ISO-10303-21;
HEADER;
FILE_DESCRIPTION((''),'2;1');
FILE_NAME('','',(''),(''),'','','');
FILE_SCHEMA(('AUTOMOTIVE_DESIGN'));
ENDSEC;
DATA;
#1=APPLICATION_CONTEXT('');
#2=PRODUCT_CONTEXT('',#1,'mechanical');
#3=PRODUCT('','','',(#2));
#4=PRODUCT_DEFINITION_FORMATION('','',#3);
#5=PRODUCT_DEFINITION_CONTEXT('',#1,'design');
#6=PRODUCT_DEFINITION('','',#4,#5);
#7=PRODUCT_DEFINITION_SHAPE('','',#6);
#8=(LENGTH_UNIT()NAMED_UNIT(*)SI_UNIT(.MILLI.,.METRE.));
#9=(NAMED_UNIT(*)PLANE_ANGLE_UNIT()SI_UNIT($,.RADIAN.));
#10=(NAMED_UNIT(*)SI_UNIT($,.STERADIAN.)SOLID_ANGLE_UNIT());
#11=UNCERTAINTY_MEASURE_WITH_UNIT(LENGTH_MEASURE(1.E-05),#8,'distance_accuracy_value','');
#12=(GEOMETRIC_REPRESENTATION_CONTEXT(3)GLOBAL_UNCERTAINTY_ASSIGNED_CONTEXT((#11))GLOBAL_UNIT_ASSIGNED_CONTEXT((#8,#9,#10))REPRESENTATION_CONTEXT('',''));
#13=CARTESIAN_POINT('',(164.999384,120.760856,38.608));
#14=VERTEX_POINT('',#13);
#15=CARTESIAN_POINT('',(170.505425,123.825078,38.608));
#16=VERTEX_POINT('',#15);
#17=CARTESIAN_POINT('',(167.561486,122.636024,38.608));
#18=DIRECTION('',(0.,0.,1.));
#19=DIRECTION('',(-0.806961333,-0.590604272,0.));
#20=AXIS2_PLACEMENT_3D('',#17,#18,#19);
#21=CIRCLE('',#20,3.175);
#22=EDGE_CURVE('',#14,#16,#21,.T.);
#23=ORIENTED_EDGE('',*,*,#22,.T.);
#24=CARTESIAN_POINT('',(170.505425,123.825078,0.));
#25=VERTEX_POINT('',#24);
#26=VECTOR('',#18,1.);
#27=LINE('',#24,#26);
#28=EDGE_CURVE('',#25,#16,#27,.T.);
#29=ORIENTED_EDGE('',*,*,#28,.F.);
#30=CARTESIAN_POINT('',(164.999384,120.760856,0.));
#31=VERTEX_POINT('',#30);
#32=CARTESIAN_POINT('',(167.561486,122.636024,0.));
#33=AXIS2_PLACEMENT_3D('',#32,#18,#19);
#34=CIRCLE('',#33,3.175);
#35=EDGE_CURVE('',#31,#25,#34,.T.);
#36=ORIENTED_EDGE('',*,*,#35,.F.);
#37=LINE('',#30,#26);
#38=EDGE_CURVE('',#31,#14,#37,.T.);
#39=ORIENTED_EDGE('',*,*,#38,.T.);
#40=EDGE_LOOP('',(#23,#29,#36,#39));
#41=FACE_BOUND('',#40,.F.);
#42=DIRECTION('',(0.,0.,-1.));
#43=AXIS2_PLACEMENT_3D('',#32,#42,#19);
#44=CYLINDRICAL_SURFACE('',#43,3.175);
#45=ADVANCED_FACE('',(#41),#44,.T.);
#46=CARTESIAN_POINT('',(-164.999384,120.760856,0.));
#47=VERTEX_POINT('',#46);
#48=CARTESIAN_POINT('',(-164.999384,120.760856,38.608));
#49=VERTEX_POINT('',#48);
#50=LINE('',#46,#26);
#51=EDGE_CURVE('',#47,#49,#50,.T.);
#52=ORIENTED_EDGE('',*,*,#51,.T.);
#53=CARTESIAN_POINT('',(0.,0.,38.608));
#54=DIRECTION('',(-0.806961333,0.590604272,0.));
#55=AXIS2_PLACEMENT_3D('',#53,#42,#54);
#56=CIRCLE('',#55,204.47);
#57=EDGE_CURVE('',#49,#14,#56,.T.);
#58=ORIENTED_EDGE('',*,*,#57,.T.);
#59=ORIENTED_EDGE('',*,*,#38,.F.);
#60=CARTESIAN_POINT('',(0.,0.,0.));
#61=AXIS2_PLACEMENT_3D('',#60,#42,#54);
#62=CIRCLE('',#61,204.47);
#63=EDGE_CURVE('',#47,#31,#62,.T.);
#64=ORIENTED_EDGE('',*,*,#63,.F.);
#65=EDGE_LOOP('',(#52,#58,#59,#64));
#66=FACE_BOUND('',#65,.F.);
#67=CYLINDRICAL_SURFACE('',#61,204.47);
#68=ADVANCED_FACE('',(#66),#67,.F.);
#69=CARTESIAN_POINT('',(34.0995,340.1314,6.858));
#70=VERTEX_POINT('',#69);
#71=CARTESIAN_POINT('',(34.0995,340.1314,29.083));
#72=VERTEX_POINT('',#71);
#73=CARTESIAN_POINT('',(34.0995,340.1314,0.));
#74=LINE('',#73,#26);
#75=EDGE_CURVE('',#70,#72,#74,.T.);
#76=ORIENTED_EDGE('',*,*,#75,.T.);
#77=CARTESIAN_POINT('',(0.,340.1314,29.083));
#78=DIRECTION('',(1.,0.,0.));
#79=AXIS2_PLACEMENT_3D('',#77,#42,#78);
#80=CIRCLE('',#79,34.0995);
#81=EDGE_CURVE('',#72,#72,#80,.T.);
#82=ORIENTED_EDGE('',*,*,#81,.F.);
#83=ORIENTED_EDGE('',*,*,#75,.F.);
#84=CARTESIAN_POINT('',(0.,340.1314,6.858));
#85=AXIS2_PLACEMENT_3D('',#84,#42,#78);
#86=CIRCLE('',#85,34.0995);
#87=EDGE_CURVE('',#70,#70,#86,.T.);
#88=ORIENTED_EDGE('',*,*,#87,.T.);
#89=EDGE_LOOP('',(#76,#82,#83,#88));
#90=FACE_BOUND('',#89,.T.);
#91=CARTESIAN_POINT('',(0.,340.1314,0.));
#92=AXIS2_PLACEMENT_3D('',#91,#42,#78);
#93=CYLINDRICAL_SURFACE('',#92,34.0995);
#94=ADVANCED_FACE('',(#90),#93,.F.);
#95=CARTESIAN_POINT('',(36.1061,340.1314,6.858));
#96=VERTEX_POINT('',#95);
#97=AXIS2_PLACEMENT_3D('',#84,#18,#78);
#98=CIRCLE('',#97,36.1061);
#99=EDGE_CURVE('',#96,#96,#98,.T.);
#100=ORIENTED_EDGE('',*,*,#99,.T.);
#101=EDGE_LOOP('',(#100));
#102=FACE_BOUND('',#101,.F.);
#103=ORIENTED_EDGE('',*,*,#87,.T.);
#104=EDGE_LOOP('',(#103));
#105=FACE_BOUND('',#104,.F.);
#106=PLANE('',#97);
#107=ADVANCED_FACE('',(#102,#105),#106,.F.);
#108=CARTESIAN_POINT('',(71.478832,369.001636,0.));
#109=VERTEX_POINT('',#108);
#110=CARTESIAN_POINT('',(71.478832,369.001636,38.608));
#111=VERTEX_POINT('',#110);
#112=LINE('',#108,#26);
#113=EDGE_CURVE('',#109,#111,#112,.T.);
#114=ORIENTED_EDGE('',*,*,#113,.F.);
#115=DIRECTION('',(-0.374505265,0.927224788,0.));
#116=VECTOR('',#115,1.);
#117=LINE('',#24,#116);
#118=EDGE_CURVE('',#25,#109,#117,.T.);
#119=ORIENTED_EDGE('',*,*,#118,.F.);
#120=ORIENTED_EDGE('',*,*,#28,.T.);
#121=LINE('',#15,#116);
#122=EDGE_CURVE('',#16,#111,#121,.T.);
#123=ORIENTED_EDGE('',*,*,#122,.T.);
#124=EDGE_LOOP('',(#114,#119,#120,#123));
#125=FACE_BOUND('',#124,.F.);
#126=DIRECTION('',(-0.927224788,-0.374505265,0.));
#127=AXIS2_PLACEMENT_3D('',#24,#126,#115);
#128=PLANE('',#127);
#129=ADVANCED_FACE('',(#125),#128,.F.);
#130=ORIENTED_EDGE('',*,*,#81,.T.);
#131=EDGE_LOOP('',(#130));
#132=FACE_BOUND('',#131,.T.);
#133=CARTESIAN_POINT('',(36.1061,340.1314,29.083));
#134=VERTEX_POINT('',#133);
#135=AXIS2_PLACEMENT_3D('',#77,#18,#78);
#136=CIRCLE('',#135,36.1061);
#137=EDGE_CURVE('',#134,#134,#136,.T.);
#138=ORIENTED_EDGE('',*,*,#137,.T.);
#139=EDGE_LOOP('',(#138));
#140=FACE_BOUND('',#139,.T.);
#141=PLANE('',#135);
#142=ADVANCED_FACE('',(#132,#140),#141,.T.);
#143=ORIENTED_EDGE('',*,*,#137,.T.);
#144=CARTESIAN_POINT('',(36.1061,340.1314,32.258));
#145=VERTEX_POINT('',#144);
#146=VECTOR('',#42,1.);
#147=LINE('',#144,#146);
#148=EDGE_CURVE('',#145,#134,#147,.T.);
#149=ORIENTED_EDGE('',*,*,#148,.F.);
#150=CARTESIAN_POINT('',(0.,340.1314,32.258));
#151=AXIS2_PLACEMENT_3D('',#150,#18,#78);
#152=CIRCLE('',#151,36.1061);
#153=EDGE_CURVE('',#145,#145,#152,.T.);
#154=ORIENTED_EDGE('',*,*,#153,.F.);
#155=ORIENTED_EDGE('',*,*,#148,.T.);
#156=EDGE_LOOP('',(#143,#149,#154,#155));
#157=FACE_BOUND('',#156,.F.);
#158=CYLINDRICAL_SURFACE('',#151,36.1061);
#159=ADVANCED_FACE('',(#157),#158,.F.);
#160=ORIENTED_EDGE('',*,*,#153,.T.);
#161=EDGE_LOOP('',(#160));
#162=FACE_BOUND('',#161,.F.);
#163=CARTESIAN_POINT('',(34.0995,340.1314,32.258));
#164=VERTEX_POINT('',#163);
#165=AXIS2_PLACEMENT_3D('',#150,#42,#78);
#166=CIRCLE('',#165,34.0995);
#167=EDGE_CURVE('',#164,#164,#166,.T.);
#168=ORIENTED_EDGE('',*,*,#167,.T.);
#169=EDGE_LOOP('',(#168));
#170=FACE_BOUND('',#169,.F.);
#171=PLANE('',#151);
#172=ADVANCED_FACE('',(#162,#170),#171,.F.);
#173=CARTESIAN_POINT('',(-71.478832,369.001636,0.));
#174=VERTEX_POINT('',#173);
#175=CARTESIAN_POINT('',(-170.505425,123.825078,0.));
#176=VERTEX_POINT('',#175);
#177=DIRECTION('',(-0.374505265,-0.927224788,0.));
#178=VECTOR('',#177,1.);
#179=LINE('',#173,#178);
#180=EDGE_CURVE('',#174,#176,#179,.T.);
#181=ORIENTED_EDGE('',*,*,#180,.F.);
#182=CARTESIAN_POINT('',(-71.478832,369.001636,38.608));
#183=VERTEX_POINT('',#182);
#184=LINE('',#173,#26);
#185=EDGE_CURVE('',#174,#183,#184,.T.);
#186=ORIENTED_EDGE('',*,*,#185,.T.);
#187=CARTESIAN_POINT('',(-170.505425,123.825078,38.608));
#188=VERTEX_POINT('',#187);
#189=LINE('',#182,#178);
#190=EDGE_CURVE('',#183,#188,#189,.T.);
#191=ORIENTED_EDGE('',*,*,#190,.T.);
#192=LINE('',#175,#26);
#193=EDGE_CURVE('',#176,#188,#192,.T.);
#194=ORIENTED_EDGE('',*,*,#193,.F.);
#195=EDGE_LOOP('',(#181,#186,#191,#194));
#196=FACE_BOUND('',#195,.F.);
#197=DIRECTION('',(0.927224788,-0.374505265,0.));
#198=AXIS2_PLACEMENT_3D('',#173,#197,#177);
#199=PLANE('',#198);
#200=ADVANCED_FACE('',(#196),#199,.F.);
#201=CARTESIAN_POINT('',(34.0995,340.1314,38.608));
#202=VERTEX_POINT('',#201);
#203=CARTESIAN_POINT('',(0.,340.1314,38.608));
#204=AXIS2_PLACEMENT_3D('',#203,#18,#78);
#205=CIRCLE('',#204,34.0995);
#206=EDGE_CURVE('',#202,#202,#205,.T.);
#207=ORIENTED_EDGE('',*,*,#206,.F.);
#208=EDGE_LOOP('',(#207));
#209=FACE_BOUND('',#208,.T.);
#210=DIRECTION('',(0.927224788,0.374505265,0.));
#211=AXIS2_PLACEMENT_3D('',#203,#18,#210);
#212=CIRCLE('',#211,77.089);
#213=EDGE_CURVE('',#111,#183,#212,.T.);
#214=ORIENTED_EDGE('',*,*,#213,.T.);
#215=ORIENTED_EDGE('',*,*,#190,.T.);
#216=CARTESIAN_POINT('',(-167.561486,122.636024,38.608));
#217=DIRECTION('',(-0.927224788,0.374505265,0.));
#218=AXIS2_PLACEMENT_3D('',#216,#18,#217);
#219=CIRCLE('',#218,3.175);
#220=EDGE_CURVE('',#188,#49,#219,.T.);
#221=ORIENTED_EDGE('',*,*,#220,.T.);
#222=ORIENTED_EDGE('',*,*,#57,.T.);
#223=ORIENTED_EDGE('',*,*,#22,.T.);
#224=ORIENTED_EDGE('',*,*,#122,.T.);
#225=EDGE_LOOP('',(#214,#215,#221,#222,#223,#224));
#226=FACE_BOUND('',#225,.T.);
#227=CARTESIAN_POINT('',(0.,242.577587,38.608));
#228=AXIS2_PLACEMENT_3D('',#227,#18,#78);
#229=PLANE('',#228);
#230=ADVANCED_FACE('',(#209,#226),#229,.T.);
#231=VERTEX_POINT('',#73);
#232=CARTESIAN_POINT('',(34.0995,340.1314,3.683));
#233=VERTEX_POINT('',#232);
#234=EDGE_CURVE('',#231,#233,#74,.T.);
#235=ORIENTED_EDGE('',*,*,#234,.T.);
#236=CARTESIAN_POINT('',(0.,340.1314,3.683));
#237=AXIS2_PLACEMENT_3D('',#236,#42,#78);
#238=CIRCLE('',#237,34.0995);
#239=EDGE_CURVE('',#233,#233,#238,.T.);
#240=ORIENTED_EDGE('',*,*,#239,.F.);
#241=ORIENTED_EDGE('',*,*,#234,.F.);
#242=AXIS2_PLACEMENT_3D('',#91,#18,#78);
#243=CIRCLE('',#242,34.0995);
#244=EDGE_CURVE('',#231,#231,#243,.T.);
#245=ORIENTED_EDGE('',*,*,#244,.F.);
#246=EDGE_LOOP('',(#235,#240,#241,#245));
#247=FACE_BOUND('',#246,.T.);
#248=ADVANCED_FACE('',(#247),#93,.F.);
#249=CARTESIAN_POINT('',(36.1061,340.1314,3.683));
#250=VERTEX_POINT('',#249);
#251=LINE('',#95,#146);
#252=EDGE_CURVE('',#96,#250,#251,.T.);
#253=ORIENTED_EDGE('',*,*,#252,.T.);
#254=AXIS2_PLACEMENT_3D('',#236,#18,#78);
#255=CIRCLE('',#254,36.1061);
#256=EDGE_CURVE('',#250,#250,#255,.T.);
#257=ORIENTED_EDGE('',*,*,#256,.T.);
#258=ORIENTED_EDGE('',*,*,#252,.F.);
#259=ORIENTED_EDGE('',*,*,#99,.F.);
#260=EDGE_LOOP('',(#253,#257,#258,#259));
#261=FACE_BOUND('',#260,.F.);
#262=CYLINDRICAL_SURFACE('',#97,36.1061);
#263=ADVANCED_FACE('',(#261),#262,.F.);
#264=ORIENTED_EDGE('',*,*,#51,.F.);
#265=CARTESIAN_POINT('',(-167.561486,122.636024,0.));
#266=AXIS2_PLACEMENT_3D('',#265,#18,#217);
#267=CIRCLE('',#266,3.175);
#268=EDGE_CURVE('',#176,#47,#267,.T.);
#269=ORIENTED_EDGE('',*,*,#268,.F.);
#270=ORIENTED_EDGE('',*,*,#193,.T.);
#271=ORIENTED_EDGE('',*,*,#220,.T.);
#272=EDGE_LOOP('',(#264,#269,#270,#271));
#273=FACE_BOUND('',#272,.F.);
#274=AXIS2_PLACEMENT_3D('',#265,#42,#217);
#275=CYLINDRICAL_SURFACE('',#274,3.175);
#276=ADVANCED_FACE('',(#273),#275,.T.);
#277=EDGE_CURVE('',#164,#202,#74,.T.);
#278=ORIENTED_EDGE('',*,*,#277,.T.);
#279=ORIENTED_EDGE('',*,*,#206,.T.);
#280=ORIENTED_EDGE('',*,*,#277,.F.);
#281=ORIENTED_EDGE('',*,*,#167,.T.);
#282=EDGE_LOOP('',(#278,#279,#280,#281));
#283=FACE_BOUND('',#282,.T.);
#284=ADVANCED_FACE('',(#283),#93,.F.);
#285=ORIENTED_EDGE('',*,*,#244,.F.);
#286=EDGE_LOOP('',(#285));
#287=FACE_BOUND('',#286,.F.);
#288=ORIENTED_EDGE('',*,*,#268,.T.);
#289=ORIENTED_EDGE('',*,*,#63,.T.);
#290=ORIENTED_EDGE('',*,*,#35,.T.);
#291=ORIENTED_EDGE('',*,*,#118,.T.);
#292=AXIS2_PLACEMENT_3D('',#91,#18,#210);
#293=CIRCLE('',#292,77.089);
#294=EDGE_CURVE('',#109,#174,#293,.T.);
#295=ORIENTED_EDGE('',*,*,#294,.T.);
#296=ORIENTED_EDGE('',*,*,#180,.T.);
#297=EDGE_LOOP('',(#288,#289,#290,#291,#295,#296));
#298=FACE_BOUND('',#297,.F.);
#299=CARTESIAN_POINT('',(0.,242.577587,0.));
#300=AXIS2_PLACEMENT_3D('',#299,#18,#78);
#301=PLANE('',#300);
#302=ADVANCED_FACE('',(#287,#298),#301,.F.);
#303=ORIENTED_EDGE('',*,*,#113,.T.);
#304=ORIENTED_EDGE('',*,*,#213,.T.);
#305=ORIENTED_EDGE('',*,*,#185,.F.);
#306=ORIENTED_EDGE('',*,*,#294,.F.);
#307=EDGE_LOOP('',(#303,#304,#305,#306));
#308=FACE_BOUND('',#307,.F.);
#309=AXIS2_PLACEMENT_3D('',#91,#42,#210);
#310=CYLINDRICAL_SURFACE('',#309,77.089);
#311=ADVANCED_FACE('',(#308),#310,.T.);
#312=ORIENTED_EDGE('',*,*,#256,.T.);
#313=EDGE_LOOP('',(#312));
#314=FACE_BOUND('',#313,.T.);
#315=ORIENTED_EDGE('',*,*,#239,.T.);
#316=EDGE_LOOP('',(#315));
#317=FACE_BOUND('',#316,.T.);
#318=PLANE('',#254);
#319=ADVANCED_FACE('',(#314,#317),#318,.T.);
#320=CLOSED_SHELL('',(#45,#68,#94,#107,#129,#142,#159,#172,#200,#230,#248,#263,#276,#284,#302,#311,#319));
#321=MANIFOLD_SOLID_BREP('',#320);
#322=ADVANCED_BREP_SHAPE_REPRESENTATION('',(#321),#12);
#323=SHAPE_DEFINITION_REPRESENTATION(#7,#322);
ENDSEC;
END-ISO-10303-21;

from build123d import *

# Parameters (mm, degrees)
F0_R     = 34.0995
F1_DEPTH = 38.608
F3_R     = 36.1061
F4_DEPTH = 3.175
F6_R     = 36.1061
F7_DEPTH = 3.175


with BuildPart() as f1:
    # F0 (on Top) → F1 (new body)
    with BuildSketch(Plane.XY):
        with BuildLine():
            ThreePointArc((-164.9993838278, 120.7608555636), (0, 204.47), (164.9993838278, 120.7608555636))
            ThreePointArc((164.9993838278, 120.7608555636), (169.1054469037, 119.8617116159), (170.5054247616, 123.8250783438))
            Line((170.5054247616, 123.8250783438), (71.4788316492, 369.0016363528))
            ThreePointArc((71.4788316492, 369.0016363528), (0, 417.2204), (-71.4788316492, 369.0016363528))
            Line((-71.4788316492, 369.0016363528), (-170.5054247616, 123.8250783438))
            ThreePointArc((-170.5054247616, 123.8250783438), (-169.1054469037, 119.8617116159), (-164.9993838278, 120.7608555636))
        make_face()
        with Locations((0, 340.1314)):
            Circle(F0_R, mode=Mode.SUBTRACT)
    extrude(amount=F1_DEPTH)

    # F3 (on offset) → F4 (cut)
    with BuildSketch(Plane.XY.offset(32.258)):
        with Locations((0, 340.1314)):
            Circle(F3_R)
    extrude(amount=-F4_DEPTH, mode=Mode.SUBTRACT)

    # F6 (on offset) → F7 (cut)
    with BuildSketch(Plane.XY.offset(6.858)):
        with Locations((0, 340.1314)):
            Circle(F6_R)
    extrude(amount=-F7_DEPTH, mode=Mode.SUBTRACT)


solid = f1.part
